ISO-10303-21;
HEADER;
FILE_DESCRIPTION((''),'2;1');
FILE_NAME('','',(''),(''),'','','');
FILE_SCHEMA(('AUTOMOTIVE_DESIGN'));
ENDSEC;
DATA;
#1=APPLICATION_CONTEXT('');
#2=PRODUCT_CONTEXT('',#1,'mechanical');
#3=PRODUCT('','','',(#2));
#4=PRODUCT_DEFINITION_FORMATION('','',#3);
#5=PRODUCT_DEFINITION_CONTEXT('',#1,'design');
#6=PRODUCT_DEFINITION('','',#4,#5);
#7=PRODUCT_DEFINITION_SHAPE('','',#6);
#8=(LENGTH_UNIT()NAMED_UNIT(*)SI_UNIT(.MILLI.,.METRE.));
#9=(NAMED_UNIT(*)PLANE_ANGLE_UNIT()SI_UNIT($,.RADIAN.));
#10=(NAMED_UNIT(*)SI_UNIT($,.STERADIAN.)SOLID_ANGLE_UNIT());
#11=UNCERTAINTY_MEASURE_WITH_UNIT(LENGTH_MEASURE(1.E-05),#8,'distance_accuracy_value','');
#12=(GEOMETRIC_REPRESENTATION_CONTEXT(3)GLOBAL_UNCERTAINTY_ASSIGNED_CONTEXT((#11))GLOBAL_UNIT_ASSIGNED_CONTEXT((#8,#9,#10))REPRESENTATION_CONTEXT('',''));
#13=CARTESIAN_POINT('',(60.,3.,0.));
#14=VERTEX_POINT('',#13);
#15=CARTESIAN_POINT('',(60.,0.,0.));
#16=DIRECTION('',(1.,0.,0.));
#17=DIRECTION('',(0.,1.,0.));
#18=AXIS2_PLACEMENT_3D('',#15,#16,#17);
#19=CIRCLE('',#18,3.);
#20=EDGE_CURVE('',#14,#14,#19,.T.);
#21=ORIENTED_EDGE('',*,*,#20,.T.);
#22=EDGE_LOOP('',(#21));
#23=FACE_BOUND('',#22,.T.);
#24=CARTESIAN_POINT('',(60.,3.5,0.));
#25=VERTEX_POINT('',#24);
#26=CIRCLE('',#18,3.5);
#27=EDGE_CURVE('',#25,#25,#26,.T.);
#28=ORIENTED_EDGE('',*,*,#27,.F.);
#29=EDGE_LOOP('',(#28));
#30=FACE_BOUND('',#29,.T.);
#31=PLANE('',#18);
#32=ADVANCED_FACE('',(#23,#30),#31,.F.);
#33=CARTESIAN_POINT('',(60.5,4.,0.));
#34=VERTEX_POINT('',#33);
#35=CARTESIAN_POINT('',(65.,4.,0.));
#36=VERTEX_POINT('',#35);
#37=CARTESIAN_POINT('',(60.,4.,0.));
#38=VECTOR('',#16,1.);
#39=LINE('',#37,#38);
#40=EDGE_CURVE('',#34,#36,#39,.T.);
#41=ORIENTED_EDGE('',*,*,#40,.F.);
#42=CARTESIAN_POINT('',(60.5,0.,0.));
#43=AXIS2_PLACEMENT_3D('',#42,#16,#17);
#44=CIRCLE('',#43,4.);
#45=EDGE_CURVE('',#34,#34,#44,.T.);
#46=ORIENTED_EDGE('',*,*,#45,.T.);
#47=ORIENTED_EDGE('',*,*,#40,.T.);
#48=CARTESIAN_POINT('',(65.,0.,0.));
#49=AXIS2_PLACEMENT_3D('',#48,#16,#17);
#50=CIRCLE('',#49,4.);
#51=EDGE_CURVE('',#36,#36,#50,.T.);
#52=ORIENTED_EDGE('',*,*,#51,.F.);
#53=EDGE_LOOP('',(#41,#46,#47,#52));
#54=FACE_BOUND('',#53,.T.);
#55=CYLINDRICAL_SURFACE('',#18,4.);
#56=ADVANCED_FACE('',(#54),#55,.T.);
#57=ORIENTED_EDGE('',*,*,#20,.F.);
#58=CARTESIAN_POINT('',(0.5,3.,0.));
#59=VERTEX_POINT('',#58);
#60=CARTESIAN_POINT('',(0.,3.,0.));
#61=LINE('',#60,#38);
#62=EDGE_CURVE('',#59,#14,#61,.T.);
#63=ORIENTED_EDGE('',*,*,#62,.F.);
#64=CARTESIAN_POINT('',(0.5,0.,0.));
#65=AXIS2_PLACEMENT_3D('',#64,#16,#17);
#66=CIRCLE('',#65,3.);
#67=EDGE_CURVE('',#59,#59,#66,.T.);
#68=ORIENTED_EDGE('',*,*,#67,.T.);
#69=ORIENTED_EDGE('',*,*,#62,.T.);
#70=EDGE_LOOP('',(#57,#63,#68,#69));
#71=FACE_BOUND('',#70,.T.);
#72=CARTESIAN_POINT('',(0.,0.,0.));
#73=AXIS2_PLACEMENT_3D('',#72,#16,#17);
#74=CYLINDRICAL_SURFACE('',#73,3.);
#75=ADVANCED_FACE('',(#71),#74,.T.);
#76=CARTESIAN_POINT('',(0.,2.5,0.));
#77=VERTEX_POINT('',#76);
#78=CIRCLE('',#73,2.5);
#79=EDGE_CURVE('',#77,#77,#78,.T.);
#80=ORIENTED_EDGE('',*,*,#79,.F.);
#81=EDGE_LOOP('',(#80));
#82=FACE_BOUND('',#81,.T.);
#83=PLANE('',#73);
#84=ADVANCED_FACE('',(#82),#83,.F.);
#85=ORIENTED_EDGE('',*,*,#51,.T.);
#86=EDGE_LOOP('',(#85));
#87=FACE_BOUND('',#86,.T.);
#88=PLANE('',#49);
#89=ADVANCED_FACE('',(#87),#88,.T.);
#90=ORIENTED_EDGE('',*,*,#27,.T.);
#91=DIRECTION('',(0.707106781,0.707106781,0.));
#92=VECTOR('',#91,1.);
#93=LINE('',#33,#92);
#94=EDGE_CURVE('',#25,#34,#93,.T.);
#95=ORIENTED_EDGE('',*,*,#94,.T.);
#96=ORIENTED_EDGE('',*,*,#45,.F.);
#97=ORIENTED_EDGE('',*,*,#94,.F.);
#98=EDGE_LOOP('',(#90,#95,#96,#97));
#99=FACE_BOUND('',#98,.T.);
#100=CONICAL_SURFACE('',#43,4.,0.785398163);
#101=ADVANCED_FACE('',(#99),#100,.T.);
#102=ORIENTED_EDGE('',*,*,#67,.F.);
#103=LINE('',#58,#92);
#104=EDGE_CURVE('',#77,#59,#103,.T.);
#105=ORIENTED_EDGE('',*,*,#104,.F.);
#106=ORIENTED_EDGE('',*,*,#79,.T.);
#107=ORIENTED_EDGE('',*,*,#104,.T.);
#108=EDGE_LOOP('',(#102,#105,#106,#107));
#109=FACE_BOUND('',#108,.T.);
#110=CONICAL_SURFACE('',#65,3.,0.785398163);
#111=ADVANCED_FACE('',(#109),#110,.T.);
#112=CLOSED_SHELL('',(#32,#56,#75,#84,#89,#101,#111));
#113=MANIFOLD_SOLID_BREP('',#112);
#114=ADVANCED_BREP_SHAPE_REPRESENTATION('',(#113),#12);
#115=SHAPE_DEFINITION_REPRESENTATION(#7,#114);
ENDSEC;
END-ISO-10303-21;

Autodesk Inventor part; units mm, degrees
ref_plane "Start Plane" through (0, 0, 0) normal (1, 0, 0) x (0, 1, 0)
ref_plane "XZ Plane" through (0, 0, 0) normal (0, 1, 0) x (-1, 0, 0)
ref_plane "XY Plane" through (0, 0, 0) normal (0, 0, 1) x (1, 0, 0)
sketch "Main Sketch" plane through (0, 0, 0) normal (0, 0, 1) x (1, 0, 0)
  line L0 (0, 0) -> (65, 0)
  line L1 (0, 0) -> (0, 3)
  line L2 (0, 3) -> (60, 3)
  line L3 (60, 3) -> (60, 4)
  line L4 (65, 4) -> (65, 0)
  line L5 (60, 4) -> (65, 4)
  dimension "d3" = 6
  dimension "d4" = 8
revolve "Revolution1" add sketch "Main Sketch" angle 360 about axis through (0, 0, 0) along (1, 0, 0)
chamfer "Chamfer1" distance 0.5 angle 45 1 edges at (0, -3, 0) measured on face at (40, 2.9903, -0.2414)
chamfer "Chamfer2" distance 0.5 angle 45 1 edges at (60, -4, 0) measured on face at (63.3333, 3.9482, -0.6416)
equation "\"Length\" = 65"
properties part number "Shaft" material "Steel"
